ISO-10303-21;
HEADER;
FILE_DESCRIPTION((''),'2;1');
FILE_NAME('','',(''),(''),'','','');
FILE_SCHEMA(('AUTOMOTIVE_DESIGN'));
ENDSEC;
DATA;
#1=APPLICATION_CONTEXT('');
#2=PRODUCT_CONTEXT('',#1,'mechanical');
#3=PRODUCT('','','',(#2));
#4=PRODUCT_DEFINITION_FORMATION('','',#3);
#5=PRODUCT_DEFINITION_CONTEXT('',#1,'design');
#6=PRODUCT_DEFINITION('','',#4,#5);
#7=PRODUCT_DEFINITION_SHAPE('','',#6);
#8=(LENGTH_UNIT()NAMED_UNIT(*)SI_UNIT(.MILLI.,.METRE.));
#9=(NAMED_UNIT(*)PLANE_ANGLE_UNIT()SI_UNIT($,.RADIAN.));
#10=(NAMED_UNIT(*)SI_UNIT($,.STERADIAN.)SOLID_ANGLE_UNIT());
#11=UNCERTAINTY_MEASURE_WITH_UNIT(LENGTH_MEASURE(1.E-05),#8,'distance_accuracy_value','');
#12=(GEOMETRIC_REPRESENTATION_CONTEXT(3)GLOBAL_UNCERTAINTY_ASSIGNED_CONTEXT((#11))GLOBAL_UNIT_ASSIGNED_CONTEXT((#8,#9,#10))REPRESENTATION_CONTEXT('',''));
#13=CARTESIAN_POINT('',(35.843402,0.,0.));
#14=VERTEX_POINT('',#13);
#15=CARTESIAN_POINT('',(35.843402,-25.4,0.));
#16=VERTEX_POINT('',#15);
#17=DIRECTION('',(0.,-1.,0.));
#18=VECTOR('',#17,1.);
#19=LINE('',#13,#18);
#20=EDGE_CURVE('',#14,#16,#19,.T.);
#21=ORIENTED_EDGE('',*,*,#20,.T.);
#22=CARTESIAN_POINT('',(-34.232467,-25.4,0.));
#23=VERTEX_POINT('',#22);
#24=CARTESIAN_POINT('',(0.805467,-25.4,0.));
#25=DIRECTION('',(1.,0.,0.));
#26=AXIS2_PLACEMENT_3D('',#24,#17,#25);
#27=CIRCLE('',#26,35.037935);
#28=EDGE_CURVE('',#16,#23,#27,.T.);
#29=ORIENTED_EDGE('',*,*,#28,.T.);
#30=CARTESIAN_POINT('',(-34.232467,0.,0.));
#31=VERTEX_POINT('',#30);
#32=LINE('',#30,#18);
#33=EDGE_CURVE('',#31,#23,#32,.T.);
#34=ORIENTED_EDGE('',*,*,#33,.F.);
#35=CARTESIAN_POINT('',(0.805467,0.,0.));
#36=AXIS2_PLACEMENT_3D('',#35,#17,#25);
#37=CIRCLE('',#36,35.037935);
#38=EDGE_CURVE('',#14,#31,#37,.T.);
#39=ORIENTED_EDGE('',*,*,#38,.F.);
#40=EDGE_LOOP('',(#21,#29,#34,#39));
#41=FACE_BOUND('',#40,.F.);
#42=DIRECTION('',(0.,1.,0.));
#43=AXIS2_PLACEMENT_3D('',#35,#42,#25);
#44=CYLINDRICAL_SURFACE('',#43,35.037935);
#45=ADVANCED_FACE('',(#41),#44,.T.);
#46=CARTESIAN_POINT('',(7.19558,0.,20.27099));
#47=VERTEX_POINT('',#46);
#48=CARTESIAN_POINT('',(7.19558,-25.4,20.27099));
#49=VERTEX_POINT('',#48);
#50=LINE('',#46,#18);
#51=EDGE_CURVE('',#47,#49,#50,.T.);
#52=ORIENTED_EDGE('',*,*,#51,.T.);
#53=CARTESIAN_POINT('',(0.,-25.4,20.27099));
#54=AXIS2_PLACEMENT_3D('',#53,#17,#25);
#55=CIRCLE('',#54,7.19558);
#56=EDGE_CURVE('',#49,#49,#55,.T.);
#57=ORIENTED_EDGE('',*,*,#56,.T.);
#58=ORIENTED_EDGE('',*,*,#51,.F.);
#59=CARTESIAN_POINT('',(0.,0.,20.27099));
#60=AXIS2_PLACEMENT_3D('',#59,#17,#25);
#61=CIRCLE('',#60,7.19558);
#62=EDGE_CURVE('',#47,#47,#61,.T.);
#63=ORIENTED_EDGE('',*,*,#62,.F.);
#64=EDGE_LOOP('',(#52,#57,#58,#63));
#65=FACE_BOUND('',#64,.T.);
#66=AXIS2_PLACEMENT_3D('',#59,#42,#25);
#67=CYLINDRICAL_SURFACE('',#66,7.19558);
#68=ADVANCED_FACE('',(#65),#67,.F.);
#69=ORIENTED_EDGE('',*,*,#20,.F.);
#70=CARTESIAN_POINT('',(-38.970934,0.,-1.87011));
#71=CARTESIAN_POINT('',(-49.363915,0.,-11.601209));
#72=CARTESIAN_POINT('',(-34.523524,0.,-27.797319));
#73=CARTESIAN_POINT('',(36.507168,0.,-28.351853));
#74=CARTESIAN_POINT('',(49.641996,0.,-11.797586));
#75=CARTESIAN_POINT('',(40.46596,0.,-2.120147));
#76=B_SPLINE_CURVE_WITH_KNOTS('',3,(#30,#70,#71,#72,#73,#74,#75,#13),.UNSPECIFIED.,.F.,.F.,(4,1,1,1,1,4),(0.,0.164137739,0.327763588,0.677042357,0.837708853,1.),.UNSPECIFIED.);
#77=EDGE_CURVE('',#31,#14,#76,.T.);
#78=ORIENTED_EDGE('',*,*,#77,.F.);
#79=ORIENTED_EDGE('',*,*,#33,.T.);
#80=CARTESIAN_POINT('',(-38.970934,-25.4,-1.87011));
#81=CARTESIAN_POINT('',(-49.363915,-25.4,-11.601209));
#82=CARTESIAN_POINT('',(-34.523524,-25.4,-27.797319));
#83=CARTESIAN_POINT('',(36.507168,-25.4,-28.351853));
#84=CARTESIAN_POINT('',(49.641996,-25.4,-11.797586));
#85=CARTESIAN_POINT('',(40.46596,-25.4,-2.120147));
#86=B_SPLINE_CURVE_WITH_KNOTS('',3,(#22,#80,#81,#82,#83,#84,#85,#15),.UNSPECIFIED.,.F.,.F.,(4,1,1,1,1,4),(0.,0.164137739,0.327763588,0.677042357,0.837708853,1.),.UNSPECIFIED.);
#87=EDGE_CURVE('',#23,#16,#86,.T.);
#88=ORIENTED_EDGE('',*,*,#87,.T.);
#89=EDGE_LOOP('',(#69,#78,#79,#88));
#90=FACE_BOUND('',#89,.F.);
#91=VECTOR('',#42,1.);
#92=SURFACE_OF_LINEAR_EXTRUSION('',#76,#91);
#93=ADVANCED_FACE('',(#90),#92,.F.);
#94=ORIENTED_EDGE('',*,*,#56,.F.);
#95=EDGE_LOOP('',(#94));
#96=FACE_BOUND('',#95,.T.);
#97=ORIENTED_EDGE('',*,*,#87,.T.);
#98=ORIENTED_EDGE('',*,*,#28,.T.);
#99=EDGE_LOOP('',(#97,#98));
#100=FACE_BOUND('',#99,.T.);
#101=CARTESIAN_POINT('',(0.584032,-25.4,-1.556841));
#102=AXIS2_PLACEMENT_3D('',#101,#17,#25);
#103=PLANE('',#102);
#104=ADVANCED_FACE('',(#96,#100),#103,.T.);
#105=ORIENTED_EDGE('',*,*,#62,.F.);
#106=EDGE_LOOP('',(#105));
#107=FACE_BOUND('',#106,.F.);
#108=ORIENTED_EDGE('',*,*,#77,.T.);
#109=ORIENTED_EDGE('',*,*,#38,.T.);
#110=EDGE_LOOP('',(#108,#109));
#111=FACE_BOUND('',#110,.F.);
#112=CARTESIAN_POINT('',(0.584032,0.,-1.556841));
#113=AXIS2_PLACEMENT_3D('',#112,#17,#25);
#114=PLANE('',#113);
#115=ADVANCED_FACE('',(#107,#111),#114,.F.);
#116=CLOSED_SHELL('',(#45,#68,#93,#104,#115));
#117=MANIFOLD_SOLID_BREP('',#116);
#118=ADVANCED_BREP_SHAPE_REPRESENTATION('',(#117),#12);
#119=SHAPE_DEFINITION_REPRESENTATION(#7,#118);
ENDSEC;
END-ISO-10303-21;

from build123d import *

# Parameters (mm, degrees)
F0_R     = 7.1955798472
F1_DEPTH = 25.4


with BuildPart() as f1:
    # F0 (on Front) → F1 (new body)
    with BuildSketch(Plane.XZ):
        with BuildLine():
            add(Edge.make_bspline(
                [(-34.2324674129, 0), (-38.9709343333, -1.8701103591), (-49.3639149977, -11.6012089013), (-34.5235237309, -27.7973191079), (36.5071676614, -28.3518525229), (49.6419955973, -11.7975858383), (40.4659600289, -2.1201473056), (35.8434021473, 0)],
                knots=[0, 0, 0, 0, 0.164137739, 0.3277635877, 0.6770423573, 0.837708853, 1, 1, 1, 1], degree=3))
            ThreePointArc((35.8434021473, 0), (0.8054673672, 35.0379347801), (-34.2324674129, 0))
        make_face()
        with Locations((0, 20.2709902078)):
            Circle(F0_R, mode=Mode.SUBTRACT)
    extrude(amount=F1_DEPTH)


solid = f1.part
